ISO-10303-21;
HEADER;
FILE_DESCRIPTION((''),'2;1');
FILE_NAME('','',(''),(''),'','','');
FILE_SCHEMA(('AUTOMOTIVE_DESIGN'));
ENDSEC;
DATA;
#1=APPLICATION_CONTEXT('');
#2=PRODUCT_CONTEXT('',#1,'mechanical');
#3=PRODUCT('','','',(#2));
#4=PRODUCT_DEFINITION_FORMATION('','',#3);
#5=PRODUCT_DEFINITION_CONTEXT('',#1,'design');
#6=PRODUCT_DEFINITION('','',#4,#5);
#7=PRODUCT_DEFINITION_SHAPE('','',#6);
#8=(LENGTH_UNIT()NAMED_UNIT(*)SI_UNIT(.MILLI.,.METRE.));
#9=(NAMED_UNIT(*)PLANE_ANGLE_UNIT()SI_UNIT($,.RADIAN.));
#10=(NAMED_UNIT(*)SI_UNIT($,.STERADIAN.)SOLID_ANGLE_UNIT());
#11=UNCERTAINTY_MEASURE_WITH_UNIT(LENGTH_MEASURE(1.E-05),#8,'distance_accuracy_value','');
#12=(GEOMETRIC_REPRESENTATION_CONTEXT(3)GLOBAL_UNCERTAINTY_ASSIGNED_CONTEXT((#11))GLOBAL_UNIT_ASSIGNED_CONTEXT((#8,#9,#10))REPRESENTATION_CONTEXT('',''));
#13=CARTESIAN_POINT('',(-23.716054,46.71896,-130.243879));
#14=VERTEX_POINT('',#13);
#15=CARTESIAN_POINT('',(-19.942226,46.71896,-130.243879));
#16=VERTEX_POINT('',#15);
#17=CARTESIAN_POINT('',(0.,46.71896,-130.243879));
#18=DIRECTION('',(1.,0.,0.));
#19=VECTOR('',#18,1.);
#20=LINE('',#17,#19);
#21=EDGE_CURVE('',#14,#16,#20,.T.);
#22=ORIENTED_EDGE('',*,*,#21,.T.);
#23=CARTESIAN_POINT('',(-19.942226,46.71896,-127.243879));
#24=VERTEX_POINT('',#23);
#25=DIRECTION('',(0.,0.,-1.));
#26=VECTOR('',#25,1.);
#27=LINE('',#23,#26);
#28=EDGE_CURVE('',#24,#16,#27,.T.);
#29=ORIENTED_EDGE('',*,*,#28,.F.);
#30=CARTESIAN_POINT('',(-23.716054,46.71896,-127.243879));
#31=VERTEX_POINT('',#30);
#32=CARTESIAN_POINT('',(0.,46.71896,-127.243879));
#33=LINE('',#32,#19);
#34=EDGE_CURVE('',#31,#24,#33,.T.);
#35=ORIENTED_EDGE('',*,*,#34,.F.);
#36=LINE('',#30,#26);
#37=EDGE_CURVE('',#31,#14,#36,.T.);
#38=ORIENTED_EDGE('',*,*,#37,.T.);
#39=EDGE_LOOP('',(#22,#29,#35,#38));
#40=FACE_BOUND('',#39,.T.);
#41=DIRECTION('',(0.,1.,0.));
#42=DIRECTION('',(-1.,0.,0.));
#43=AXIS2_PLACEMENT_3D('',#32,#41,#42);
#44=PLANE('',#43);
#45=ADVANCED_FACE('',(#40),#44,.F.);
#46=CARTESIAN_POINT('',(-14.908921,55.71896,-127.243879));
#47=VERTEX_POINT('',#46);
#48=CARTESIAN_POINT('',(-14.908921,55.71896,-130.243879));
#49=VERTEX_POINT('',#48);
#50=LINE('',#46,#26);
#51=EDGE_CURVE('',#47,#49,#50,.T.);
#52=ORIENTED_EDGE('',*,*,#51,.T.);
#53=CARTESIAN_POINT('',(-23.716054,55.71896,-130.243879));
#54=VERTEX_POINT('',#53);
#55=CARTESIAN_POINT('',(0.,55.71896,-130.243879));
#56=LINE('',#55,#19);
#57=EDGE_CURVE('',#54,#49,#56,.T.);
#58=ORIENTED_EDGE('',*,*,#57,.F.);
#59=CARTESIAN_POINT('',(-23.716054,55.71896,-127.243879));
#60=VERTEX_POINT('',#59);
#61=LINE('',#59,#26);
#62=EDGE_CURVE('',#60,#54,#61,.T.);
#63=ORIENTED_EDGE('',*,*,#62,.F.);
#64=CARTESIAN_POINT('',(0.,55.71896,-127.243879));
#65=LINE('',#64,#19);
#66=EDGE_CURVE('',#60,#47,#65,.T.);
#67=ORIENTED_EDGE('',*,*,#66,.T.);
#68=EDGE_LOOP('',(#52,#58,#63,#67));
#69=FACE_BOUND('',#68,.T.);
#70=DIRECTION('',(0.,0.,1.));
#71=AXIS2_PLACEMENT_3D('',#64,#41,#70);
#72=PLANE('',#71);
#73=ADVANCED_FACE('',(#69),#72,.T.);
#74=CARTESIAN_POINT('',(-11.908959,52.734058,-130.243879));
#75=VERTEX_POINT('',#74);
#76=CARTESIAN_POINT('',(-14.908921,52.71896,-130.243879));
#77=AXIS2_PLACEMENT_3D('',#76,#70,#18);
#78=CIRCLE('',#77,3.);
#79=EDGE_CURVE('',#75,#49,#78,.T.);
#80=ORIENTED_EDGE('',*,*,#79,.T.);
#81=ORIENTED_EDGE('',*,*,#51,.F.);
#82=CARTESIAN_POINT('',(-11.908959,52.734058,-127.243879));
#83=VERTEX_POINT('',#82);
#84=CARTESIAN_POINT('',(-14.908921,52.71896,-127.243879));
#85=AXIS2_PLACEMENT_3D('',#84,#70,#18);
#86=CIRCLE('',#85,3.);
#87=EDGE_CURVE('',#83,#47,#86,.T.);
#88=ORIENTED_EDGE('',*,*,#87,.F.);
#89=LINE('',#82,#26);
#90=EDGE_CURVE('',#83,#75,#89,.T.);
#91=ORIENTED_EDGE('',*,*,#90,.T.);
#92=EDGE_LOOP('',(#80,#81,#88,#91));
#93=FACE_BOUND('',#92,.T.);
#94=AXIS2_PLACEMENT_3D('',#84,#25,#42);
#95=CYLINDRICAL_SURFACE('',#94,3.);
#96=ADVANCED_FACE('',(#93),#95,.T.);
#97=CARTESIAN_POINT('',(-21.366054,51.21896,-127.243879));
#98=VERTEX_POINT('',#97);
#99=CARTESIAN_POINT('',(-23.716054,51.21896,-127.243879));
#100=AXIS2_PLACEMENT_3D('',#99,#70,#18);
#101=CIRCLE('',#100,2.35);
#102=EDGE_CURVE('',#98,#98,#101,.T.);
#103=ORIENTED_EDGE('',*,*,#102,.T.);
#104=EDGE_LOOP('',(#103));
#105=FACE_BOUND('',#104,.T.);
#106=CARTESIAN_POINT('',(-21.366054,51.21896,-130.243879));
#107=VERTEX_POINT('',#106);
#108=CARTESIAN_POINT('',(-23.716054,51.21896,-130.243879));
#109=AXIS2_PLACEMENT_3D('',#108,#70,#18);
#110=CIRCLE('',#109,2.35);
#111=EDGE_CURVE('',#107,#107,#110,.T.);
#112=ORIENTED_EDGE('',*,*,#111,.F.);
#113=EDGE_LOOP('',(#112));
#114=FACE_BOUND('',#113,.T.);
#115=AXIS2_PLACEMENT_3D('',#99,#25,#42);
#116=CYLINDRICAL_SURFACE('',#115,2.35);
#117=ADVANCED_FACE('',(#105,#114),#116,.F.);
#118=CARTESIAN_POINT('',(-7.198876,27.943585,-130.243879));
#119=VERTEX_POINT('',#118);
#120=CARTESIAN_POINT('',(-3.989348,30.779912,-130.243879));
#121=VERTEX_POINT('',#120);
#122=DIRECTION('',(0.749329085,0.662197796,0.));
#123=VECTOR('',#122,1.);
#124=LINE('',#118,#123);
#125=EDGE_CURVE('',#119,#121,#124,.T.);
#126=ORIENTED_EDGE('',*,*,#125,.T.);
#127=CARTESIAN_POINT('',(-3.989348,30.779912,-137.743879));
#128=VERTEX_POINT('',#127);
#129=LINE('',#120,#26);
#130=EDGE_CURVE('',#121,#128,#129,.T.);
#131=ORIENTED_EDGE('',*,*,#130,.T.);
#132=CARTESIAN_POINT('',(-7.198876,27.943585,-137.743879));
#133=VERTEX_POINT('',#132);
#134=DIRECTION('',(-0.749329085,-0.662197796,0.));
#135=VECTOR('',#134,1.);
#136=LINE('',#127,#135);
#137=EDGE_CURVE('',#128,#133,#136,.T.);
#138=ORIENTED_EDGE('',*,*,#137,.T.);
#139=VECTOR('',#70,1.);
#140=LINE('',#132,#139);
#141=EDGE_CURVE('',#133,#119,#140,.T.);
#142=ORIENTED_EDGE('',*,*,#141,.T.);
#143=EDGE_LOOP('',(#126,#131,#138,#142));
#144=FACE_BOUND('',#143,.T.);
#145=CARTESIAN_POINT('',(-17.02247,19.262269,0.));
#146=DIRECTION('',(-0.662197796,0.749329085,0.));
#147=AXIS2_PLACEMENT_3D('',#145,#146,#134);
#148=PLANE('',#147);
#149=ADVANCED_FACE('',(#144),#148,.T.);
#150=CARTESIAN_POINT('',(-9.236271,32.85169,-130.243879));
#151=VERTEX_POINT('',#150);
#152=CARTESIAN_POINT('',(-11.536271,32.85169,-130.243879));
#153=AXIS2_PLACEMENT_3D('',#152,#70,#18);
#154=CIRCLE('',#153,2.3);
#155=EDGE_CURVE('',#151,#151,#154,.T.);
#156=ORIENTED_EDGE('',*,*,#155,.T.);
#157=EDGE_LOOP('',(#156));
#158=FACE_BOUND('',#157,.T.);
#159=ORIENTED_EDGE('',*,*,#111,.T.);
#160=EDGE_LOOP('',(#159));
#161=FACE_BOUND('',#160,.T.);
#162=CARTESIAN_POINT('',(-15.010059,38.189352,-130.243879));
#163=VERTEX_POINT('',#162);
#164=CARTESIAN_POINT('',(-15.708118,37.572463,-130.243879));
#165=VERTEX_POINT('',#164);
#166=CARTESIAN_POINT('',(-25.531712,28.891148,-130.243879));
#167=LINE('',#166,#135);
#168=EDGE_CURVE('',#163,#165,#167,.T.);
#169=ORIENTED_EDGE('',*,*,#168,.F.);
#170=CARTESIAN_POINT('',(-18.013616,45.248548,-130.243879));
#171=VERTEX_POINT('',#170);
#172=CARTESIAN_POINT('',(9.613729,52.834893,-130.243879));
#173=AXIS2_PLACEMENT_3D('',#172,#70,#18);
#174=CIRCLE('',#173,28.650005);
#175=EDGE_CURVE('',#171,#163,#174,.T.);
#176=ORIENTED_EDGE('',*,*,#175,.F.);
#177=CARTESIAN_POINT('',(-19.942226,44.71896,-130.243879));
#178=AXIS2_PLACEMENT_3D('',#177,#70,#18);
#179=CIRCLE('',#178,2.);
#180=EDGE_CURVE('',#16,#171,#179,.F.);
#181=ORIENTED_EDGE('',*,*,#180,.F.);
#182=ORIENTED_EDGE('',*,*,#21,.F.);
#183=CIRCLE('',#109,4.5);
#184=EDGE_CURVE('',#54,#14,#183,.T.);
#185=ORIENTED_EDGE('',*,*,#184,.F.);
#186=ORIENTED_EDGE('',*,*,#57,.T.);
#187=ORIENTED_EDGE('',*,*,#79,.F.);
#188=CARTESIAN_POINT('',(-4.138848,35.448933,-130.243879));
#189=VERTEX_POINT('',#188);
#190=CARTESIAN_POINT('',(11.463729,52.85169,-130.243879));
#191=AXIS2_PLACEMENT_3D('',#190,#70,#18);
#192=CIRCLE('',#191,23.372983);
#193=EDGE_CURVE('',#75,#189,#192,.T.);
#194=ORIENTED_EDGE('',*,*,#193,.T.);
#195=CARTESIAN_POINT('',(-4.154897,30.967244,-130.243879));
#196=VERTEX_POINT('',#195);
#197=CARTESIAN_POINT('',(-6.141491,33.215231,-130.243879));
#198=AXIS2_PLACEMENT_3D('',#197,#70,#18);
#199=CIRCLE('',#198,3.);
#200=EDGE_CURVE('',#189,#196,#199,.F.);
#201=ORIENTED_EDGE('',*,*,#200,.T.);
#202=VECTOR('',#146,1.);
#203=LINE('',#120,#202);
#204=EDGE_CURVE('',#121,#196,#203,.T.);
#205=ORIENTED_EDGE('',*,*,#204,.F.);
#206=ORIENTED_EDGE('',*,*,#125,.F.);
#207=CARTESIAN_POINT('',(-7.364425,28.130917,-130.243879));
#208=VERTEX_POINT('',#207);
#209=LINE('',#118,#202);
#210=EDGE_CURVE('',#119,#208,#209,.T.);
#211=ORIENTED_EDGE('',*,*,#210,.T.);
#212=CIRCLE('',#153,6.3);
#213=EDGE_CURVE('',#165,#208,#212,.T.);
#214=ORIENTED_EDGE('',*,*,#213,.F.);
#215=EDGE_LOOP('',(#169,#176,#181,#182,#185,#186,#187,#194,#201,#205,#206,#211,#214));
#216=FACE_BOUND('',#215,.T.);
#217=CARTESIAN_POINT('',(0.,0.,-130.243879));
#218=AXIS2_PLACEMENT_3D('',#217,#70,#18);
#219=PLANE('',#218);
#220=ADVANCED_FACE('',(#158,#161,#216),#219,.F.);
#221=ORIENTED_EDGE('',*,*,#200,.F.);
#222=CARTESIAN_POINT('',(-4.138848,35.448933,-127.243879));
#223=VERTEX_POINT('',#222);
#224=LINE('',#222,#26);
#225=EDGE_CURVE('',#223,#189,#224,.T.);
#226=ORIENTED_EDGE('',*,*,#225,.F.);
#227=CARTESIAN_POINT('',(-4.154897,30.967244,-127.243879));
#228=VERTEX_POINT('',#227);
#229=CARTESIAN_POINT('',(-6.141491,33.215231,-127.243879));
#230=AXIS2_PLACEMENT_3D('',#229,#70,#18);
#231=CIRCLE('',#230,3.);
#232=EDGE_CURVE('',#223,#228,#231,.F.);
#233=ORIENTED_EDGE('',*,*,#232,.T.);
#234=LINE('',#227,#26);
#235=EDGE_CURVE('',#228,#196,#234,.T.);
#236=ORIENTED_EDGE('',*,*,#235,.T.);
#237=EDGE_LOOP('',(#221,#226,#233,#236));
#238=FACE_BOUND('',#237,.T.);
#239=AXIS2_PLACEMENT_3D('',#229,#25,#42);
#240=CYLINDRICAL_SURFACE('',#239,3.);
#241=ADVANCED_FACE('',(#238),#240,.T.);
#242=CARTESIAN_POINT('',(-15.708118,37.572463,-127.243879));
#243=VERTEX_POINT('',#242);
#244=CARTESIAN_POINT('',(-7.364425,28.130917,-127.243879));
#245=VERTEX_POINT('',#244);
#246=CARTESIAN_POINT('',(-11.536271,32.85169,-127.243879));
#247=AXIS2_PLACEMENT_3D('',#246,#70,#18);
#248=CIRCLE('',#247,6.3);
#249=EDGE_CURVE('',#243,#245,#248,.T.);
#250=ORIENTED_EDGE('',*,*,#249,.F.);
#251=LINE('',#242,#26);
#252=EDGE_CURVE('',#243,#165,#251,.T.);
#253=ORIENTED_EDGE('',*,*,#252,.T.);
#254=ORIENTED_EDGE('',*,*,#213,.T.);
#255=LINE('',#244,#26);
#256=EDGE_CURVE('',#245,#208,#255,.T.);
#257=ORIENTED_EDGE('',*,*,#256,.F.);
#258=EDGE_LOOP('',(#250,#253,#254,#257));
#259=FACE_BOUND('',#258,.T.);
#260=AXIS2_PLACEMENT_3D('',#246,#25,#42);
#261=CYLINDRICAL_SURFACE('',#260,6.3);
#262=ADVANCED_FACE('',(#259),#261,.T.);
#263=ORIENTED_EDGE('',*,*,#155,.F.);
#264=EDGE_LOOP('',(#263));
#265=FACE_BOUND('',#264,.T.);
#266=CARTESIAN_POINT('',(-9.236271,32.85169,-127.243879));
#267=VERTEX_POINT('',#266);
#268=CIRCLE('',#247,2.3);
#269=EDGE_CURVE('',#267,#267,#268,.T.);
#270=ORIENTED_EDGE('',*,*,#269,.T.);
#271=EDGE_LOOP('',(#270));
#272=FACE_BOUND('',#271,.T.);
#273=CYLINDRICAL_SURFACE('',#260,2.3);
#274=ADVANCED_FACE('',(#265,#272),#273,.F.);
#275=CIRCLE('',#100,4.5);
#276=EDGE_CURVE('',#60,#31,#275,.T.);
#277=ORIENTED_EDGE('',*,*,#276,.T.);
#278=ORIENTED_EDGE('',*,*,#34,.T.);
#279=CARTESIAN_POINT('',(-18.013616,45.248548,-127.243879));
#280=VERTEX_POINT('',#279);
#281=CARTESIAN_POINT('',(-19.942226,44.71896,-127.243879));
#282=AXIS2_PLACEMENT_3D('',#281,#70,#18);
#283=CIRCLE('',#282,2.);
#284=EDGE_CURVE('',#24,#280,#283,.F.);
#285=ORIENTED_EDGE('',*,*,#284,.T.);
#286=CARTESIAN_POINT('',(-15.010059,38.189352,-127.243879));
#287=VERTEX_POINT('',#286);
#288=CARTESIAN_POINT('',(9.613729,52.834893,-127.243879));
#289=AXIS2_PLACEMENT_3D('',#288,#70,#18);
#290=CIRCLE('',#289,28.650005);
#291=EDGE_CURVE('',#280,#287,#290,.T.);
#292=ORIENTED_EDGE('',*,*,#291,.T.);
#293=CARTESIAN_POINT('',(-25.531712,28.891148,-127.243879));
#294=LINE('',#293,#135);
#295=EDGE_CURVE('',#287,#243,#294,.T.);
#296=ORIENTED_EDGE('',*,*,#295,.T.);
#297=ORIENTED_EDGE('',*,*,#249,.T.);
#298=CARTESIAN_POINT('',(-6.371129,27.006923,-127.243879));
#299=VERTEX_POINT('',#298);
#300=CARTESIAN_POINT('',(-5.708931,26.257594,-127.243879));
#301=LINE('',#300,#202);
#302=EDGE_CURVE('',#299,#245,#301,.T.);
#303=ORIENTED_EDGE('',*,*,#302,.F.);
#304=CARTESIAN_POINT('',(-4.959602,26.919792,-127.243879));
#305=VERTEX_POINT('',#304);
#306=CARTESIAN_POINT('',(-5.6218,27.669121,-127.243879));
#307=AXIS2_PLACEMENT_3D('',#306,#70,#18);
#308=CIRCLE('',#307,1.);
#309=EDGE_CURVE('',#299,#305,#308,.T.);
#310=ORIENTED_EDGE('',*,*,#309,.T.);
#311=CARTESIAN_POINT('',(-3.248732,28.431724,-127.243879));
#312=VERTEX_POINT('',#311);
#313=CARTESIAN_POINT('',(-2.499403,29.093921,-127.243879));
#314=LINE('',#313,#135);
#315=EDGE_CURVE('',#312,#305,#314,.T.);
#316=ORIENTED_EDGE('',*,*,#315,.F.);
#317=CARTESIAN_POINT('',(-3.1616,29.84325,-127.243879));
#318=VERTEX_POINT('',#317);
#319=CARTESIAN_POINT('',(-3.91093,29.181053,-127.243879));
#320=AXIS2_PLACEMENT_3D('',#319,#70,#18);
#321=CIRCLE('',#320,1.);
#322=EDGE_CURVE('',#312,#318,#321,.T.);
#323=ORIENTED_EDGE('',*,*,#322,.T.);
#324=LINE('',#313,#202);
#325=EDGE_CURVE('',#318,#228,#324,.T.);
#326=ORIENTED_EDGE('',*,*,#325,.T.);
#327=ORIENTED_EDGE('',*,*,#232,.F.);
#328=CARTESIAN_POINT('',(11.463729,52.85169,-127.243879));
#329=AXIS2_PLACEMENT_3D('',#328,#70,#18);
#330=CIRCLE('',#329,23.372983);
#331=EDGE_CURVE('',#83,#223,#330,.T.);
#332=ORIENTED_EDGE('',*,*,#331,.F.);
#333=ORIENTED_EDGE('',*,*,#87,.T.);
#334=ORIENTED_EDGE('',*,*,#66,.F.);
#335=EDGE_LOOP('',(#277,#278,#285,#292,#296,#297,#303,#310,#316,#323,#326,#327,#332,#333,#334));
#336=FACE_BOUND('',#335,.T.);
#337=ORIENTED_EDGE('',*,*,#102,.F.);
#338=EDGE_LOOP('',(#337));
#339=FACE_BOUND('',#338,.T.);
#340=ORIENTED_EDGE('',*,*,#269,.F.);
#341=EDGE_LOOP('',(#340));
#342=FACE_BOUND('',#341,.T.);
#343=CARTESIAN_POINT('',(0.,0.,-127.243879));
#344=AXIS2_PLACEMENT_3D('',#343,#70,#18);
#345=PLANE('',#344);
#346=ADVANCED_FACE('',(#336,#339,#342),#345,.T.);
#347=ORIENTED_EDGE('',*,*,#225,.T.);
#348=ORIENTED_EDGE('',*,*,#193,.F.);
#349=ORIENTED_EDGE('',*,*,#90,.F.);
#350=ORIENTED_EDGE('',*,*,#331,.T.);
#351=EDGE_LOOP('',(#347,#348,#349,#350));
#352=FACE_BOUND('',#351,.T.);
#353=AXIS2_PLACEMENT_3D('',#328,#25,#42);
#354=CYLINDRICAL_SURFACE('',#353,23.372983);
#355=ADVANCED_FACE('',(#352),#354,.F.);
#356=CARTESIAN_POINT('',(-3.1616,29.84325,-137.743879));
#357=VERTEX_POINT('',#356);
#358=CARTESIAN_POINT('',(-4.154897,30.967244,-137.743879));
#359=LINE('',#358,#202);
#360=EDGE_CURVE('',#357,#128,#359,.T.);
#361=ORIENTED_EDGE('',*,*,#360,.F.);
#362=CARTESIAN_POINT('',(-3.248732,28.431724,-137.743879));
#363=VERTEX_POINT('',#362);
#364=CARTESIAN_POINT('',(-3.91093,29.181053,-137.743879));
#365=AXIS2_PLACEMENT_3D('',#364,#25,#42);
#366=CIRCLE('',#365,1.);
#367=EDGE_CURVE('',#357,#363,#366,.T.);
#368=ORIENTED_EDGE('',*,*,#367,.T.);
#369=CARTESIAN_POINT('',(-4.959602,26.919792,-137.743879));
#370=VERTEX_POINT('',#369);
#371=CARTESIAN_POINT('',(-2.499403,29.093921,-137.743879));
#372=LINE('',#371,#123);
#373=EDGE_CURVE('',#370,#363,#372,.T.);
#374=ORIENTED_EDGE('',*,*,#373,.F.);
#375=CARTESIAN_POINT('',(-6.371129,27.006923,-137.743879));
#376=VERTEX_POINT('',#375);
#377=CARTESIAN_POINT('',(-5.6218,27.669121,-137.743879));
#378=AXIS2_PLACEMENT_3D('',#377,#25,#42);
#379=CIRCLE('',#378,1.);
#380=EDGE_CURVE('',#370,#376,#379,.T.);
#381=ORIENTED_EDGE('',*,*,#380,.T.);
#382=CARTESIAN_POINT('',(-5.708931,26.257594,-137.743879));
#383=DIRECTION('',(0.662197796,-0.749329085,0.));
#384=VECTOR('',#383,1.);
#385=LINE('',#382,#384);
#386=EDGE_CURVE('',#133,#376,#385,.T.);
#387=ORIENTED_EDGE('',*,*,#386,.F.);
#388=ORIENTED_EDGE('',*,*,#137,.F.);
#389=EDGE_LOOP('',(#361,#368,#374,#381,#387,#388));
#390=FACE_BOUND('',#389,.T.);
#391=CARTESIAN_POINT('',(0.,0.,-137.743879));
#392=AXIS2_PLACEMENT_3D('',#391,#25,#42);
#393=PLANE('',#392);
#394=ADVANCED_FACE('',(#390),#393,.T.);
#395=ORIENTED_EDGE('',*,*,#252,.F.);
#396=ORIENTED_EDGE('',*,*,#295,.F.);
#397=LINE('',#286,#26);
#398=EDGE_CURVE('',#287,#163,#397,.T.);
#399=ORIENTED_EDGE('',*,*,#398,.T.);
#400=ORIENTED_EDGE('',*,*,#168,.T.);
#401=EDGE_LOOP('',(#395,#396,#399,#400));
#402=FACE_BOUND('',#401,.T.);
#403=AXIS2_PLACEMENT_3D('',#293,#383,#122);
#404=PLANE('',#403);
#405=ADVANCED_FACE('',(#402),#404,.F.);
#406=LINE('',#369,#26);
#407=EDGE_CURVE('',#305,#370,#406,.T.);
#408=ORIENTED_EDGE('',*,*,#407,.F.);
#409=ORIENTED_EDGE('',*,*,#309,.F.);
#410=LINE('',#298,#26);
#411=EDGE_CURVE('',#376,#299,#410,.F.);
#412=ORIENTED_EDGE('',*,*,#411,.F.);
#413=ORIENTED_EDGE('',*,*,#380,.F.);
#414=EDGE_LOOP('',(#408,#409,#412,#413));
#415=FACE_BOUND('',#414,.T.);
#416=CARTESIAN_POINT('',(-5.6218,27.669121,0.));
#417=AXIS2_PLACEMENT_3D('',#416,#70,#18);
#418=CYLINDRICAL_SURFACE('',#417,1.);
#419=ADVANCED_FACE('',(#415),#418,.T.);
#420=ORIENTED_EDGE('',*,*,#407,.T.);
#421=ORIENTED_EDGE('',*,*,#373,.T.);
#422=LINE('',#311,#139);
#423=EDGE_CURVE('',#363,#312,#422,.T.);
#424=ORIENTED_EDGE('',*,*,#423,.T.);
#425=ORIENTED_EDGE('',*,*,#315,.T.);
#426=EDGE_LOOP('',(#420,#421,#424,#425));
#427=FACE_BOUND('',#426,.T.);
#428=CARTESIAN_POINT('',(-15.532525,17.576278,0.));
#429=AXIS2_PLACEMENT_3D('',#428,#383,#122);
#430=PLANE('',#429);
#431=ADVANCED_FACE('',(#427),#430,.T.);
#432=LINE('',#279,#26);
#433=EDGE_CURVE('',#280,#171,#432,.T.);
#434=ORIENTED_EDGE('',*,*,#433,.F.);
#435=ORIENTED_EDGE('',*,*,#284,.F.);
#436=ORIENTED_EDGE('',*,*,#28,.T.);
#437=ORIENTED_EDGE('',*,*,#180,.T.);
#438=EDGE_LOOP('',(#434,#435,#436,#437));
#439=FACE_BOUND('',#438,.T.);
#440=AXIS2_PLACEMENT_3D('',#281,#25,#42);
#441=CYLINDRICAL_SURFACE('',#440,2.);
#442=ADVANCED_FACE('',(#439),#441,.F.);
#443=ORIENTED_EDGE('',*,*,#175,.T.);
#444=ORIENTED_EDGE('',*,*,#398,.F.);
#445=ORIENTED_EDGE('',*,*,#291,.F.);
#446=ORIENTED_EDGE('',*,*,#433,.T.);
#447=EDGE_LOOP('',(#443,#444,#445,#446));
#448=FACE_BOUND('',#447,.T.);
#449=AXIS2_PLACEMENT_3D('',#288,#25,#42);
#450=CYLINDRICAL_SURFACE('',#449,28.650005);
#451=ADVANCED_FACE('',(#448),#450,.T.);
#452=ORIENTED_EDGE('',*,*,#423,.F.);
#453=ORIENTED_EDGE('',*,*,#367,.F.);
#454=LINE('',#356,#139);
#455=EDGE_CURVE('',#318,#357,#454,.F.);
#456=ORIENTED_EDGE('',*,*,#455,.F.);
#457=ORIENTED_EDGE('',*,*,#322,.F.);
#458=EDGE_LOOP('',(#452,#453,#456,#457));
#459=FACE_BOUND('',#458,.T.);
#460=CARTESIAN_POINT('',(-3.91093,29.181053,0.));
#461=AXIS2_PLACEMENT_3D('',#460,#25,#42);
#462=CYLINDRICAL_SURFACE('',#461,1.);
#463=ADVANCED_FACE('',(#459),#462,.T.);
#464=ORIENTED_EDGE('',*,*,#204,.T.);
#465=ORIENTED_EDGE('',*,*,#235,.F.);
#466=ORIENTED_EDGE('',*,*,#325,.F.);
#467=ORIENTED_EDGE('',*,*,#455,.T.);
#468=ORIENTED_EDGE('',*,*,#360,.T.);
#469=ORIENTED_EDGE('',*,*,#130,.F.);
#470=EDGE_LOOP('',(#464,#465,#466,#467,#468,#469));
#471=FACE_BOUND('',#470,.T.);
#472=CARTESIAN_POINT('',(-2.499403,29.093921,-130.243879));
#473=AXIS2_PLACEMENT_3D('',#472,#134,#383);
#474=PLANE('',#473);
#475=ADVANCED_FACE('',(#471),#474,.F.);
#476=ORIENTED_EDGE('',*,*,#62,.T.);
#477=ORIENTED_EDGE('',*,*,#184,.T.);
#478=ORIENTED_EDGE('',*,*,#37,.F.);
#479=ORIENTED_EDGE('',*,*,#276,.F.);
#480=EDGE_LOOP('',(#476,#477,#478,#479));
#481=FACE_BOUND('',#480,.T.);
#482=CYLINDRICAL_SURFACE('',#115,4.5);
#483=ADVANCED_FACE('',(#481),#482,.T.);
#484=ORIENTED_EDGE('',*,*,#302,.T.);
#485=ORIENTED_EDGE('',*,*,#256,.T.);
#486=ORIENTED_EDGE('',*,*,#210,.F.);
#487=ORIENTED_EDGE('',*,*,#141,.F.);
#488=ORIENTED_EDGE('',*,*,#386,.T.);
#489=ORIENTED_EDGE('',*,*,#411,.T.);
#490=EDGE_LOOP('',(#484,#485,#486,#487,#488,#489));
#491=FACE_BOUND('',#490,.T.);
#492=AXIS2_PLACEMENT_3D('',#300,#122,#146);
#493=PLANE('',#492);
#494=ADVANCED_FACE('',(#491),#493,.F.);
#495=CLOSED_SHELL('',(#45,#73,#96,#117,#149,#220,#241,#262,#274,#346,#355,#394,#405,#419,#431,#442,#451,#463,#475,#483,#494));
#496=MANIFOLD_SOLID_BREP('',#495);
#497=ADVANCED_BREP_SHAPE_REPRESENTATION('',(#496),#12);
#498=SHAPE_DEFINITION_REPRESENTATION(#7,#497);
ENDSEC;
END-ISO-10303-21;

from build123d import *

# Parameters (mm, degrees)
SKETCH1_R           = 2.35
SKETCH1_R_2         = 2.3
BOSS_EXTRUDE2_DEPTH = 3
SKETCH2_W           = 4.283202477
SKETCH2_H           = 3
BOSS_EXTRUDE3_DEPTH = 2.5
BOSS_EXTRUDE4_DEPTH = 10.5
FILLET1_R           = 1
SKETCH4_W           = 4.283202477
SKETCH4_H           = 7.5
CUT_EXTRUDE1_DEPTH  = 0.25


with BuildPart() as part:
    # Sketch1 → Boss-Extrude2 (new body)
    with BuildSketch(Plane.XY.offset(-130.24387898)):
        with BuildLine():
            Line((-15.010059364, 38.189351968), (-15.708117617, 37.572463316))
            ThreePointArc((-15.708117617, 37.572463316), (-16.257044738, 28.67984396), (-7.364425381, 28.130916839))
            Line((-7.364425381, 28.130916839), (-4.154897186, 30.967244081))
            ThreePointArc((-4.154897186, 30.967244081), (-3.141509811, 33.204488286), (-4.138848078, 35.44893298))
            ThreePointArc((-4.138848078, 35.44893298), (-9.854378586, 43.268649811), (-11.908958835, 52.734058429))
            ThreePointArc((-11.908958835, 52.734058429), (-12.792945326, 54.845611755), (-14.908920841, 55.718960016))
            Line((-14.908920841, 55.718960016), (-23.716053845, 55.718960016))
            ThreePointArc((-23.716053845, 55.718960016), (-28.216053845, 51.218960016), (-23.716053845, 46.718960016))
            Line((-23.716053845, 46.718960016), (-19.942226175, 46.718960016))
            ThreePointArc((-19.942226175, 46.718960016), (-18.729620599, 46.309427783), (-18.013616093, 45.248547734))
            ThreePointArc((-18.013616093, 45.248547734), (-16.74918621, 41.617962479), (-15.010059364, 38.189351968))
        make_face()
        with Locations((-23.716053845, 51.218960016)):
            Circle(SKETCH1_R, mode=Mode.SUBTRACT)
        with Locations((-11.536271499, 32.851690078)):
            Circle(SKETCH1_R_2, mode=Mode.SUBTRACT)
    extrude(amount=BOSS_EXTRUDE2_DEPTH)

    # Sketch2 → Boss-Extrude3 (add)
    with BuildSketch(Plane(origin=(-17.188019546, 19.449601065, 0), x_dir=(0.7493290854811405, 0.6621977964717171, 0), z_dir=(0.6621977964717171, -0.7493290854811405, 0))):
        with Locations((15.251454246, -128.74387898)):
            Rectangle(SKETCH2_W, SKETCH2_H)
    extrude(amount=BOSS_EXTRUDE3_DEPTH)

    # Sketch3 → Boss-Extrude4 (add)
    with BuildSketch(Plane.XY.offset(-127.24387898)):
        Polygon((-7.364425381, 28.130916839), (-4.154897186, 30.967244081), (-2.499402695, 29.093921367), (-5.70893089, 26.257594125), align=None)
    extrude(amount=-BOSS_EXTRUDE4_DEPTH)

    # Fillet1
    fillet1_edges = [part.edges().sort_by_distance(p)[0] for p in [
        (-5.70893089, 26.257594125, -132.49387898),
        (-2.499402695, 29.093921367, -132.49387898),
    ]]
    fillet(fillet1_edges, radius=FILLET1_R)

    # Sketch4 → Cut-Extrude1 (cut)
    with BuildSketch(Plane(origin=(-17.188019546, 19.449601065, 0), x_dir=(0.7493290854811406, 0.6621977964717171, 0), z_dir=(-0.6621977964717171, 0.7493290854811406, 0))):
        with Locations((15.251454246, 133.99387898)):
            Rectangle(SKETCH4_W, SKETCH4_H)
    extrude(amount=-CUT_EXTRUDE1_DEPTH, mode=Mode.SUBTRACT)


solid = part.part
